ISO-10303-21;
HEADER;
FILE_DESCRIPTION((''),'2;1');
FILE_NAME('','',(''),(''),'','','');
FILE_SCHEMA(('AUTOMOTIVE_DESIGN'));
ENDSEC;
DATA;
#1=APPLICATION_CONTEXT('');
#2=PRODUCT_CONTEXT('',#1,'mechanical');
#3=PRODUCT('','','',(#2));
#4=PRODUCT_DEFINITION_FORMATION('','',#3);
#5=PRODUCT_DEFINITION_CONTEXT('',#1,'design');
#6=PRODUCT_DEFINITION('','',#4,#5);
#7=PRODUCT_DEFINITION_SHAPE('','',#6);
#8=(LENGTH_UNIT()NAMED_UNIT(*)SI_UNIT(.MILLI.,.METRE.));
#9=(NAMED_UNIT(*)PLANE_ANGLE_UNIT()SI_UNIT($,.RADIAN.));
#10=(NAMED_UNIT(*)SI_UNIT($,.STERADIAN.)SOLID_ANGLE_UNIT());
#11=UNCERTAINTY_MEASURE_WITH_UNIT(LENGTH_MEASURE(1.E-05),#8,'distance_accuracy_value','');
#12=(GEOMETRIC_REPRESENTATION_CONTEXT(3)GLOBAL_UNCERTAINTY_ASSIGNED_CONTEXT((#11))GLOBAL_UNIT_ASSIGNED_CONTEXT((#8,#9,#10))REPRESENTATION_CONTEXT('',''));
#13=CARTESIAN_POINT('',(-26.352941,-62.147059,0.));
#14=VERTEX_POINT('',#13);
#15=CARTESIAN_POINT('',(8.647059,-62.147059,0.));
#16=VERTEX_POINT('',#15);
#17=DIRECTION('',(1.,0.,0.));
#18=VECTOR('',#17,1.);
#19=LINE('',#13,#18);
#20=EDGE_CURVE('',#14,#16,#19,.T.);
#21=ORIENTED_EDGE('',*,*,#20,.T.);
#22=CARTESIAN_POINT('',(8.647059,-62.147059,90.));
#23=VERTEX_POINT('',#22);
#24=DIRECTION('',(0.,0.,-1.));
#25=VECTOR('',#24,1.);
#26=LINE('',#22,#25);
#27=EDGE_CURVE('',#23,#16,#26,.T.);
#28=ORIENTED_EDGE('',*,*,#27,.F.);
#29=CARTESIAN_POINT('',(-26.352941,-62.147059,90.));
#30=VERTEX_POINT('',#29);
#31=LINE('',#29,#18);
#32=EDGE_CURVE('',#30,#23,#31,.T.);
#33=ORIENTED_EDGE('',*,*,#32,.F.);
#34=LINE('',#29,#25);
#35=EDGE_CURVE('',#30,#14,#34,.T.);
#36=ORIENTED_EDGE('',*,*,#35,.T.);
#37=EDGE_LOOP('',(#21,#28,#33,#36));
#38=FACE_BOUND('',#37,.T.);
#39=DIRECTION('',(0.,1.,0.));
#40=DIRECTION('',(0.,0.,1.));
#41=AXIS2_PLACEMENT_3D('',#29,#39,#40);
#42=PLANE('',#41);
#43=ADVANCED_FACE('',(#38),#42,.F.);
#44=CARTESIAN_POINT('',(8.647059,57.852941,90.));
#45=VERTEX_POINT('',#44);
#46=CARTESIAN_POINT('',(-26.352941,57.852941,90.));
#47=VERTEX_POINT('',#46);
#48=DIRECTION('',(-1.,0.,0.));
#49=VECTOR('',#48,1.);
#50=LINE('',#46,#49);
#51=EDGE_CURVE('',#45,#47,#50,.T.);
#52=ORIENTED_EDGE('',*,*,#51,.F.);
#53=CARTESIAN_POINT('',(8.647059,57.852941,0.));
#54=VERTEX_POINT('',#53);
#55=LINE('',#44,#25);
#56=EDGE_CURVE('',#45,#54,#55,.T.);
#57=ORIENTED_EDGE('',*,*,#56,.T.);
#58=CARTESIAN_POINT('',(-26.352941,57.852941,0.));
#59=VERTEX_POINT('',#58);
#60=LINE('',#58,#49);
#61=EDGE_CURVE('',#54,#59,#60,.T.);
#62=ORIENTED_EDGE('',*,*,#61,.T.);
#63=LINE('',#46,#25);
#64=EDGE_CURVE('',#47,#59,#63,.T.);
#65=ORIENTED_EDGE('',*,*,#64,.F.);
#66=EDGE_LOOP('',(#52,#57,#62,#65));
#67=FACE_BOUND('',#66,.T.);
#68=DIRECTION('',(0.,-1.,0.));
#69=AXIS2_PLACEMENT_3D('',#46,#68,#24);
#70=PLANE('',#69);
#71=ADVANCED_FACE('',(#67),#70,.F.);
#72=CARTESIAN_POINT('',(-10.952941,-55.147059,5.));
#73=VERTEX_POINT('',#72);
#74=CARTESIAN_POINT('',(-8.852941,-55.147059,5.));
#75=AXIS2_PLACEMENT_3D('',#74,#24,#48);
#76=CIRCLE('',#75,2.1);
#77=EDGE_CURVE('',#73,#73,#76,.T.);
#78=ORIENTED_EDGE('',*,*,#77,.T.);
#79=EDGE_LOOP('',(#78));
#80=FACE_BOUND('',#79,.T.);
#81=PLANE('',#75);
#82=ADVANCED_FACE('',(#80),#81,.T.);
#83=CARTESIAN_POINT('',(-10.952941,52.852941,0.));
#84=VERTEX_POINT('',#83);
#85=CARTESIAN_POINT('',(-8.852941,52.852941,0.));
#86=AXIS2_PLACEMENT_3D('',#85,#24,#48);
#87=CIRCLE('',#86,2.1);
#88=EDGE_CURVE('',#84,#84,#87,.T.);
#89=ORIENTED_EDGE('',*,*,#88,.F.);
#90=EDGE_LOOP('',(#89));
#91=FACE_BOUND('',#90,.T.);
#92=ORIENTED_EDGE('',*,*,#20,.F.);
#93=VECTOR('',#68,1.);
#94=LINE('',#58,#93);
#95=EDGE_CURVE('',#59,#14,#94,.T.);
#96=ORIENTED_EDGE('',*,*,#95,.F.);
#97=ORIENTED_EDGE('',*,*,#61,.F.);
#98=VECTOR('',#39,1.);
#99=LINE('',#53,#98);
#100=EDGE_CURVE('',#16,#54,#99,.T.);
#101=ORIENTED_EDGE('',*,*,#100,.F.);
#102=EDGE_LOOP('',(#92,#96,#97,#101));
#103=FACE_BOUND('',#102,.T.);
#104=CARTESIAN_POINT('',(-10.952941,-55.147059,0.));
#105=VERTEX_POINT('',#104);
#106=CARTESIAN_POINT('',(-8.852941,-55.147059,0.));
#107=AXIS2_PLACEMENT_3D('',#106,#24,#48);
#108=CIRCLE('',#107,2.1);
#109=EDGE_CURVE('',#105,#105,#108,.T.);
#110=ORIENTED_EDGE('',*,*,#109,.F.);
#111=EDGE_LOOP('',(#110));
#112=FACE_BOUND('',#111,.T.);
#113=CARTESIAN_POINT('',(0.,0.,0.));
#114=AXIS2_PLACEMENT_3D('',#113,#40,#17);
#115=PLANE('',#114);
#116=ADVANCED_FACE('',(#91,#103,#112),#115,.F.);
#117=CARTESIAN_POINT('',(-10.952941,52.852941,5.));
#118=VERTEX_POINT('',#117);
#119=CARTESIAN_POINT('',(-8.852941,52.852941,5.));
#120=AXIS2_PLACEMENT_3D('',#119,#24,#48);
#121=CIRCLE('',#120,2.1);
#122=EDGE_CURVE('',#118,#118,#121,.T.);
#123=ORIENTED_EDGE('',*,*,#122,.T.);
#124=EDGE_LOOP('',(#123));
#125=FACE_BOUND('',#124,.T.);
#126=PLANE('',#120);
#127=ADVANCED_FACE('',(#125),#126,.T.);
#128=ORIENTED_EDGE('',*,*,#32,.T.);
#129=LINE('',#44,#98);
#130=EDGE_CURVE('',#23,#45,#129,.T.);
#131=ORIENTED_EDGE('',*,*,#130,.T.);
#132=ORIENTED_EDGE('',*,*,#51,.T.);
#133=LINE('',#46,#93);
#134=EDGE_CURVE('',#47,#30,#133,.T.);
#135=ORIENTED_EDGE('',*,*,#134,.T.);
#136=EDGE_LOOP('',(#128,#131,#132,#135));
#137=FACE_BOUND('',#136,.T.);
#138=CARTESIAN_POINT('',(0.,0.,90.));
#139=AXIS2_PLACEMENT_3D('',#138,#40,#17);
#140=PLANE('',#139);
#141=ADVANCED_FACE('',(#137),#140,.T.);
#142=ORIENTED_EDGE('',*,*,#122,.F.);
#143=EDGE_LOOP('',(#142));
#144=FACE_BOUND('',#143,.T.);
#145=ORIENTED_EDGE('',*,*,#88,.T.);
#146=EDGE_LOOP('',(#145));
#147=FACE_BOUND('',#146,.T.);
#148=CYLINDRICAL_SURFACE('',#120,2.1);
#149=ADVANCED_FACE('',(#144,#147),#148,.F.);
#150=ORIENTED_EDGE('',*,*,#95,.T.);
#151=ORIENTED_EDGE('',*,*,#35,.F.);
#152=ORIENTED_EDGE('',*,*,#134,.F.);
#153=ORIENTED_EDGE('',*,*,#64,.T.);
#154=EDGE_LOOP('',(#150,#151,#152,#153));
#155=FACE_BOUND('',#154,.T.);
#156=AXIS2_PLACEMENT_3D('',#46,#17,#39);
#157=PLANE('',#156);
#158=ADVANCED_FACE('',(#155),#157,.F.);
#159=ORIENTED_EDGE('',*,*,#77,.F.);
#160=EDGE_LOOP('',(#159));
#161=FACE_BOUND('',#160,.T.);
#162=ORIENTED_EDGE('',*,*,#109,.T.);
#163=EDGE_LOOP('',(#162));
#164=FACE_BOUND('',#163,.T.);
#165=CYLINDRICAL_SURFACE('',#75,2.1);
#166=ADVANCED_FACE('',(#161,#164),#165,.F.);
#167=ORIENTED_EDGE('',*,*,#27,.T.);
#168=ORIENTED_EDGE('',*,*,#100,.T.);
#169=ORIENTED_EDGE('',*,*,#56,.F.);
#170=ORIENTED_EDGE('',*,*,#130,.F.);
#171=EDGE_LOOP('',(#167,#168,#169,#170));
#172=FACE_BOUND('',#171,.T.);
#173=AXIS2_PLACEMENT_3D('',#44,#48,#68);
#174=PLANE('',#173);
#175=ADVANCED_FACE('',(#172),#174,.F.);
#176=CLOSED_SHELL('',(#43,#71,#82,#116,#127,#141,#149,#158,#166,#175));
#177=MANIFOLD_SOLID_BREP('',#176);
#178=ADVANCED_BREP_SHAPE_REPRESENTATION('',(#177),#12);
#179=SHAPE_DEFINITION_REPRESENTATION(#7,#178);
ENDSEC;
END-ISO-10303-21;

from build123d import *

# Parameters (mm, degrees)
SKETCH_1_W          = 35
SKETCH_1_H          = 120
EXTRUDE_1_DEPTH     = 90
SKETCH_2_R          = 2.1
CUT_EXTRUDE_1_DEPTH = 5


with BuildPart() as part:
    # 草图1 → 凸台-拉伸1 (new body)
    with BuildSketch(Plane.XY):
        with Locations((-8.852941176, -2.147058824)):
            Rectangle(SKETCH_1_W, SKETCH_1_H)
    extrude(amount=EXTRUDE_1_DEPTH)

    # 草图2 → 切除-拉伸1 (cut)
    with BuildSketch(Plane(origin=(0, 0, 0), x_dir=(-1, 0, 0), z_dir=(0, 0, -1))):
        with Locations((8.852941176, 52.852941176)):
            Circle(SKETCH_2_R)
        with Locations((8.852941176, -55.147058824)):
            Circle(SKETCH_2_R)
    extrude(amount=-CUT_EXTRUDE_1_DEPTH, mode=Mode.SUBTRACT)


solid = part.part
